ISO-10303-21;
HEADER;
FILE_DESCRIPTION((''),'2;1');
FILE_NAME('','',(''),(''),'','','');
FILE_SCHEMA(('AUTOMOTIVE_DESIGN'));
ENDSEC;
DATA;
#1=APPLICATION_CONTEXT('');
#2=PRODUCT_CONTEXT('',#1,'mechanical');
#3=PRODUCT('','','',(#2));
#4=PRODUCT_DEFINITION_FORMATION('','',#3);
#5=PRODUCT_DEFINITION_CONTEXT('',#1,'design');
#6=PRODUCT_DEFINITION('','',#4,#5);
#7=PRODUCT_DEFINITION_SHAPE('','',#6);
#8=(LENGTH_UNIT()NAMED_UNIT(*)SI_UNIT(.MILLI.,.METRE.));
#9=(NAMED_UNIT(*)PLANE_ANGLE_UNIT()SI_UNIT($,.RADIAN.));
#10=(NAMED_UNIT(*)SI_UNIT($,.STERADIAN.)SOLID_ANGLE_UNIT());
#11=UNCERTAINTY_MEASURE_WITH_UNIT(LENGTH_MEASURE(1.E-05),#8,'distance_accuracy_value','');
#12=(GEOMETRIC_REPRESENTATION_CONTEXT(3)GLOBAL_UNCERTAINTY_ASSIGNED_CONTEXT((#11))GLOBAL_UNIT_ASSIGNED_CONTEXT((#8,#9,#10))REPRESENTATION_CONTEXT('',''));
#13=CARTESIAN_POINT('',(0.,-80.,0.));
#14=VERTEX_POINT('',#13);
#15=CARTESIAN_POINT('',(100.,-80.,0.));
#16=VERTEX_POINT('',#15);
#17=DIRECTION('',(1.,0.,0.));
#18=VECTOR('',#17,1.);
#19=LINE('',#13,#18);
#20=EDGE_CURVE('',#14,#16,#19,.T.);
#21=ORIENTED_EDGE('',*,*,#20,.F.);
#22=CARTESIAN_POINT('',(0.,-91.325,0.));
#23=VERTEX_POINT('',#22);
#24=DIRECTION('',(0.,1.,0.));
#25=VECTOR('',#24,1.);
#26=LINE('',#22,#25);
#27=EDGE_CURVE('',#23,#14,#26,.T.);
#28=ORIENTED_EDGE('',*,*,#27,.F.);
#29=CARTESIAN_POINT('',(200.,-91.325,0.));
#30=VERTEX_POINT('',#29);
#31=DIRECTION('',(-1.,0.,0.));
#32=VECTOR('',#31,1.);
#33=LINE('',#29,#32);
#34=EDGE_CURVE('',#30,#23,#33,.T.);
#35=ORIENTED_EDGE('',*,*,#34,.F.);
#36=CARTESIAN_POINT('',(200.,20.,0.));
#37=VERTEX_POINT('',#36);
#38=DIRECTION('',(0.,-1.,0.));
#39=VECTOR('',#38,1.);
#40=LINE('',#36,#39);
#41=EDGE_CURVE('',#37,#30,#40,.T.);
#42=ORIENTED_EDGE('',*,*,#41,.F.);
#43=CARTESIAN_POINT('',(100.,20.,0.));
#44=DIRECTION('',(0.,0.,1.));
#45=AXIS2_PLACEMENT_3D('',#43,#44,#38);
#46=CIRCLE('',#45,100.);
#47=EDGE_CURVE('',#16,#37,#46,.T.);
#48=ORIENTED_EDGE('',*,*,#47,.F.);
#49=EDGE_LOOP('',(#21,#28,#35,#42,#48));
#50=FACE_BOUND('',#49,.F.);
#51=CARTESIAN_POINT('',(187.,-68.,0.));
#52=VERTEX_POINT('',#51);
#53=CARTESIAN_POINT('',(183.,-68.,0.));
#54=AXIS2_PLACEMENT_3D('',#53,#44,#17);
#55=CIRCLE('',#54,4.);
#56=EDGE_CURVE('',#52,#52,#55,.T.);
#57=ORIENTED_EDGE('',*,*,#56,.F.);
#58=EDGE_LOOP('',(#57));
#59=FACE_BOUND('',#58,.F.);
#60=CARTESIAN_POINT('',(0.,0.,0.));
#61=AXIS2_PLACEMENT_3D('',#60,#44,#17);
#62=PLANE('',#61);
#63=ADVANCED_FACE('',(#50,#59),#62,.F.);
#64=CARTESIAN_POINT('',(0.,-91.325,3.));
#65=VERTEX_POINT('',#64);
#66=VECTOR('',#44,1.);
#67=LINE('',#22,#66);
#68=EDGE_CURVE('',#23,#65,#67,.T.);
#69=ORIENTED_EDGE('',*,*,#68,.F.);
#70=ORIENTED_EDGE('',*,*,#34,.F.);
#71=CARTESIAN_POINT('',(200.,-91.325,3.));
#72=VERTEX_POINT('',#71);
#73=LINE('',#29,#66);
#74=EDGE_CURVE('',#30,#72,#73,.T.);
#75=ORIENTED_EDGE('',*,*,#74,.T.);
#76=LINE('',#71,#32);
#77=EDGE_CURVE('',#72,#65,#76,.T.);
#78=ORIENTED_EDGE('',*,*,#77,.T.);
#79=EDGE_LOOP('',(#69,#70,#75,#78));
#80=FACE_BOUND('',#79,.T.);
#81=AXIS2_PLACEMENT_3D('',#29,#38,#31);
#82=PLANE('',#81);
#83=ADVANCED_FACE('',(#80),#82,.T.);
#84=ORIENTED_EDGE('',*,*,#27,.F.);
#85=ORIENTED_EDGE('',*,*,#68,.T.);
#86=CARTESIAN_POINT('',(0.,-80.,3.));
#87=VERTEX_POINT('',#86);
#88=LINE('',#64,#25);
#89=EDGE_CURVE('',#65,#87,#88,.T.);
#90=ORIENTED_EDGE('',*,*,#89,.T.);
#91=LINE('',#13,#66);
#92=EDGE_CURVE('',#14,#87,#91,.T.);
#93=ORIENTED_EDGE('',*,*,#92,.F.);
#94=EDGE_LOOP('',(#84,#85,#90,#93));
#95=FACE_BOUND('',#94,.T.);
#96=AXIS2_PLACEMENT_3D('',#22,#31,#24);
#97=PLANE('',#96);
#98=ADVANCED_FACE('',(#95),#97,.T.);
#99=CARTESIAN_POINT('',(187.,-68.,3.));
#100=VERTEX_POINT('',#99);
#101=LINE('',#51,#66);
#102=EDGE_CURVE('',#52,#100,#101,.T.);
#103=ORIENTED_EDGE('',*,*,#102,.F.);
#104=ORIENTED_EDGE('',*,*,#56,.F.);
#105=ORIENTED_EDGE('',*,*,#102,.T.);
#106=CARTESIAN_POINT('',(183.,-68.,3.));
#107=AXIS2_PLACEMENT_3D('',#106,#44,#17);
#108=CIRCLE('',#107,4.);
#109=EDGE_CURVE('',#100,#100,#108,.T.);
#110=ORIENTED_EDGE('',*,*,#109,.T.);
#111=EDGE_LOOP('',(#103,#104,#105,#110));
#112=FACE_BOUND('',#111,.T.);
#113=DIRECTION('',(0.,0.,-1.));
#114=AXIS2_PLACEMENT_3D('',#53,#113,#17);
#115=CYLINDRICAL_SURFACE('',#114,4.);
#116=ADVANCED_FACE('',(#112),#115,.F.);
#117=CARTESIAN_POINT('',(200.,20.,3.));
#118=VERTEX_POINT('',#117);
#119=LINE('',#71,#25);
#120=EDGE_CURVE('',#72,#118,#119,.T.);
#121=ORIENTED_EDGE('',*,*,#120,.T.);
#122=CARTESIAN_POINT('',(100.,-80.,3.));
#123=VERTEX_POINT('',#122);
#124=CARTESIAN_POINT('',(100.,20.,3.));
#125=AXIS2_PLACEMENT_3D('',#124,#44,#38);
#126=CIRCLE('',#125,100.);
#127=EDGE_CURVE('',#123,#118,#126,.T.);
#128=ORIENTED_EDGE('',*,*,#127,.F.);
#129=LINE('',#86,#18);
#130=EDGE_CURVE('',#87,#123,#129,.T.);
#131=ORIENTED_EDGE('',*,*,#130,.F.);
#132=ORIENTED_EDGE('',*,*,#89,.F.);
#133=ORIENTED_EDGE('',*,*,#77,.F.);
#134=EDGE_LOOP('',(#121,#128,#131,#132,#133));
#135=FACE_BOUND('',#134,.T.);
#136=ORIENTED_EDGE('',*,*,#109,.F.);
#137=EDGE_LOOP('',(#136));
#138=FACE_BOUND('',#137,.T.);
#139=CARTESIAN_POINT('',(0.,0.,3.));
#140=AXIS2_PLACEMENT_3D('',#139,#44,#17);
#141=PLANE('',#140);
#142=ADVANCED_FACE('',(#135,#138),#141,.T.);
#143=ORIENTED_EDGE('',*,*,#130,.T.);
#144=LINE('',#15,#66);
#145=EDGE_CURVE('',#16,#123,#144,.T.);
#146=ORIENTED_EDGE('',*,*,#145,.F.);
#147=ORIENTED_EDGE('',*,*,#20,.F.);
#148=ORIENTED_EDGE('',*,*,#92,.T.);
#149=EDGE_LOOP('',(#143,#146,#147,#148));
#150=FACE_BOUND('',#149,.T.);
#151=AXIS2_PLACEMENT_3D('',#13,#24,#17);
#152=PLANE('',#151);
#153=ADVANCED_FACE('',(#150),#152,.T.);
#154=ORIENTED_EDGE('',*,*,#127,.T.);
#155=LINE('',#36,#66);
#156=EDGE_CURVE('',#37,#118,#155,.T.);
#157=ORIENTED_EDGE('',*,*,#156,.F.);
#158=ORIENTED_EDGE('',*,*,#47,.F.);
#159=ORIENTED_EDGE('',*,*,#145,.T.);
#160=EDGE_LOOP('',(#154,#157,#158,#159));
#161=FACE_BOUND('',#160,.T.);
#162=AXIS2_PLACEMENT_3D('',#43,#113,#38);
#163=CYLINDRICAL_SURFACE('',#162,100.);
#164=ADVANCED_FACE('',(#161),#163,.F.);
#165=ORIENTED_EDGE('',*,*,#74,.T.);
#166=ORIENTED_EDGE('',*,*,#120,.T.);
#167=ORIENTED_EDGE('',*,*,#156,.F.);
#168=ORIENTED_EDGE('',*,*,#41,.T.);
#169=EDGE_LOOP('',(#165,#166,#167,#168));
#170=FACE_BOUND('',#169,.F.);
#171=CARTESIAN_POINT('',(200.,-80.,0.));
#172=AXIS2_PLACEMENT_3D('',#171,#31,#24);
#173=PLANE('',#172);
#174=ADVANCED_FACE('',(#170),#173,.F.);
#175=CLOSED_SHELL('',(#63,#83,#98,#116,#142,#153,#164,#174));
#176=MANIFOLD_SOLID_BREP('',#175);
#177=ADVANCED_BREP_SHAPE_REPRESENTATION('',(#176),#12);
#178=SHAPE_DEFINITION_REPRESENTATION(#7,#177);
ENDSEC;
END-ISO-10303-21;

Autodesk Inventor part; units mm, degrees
ref_plane "YZ Plane" through (0, 0, 0) normal (1, 0, 0) x (0, 1, 0)
ref_plane "XZ Plane" through (0, 0, 0) normal (0, 1, 0) x (-1, 0, 0)
ref_plane "XY Plane" through (0, 0, 0) normal (0, 0, 1) x (1, 0, 0)
sketch "草圖1" plane through (0, 0, 0) normal (0, 0, 1) x (1, 0, 0)
  line L0 (0, -80) -> (100, -80)
  arc A0 (100, -80) -> (200, 20) centre (100, 20) ccw
  line L1 (200, 20) -> (200, 40)
  line L2 (200, 40) -> (100, 40)
  line L3 (100, 40) -> (100, -80)
  line L4 (100, -80) -> (200, -80)
  line L5 (200, -80) -> (200, 40)
  line L6 (204.3223, -80) -> (200, -80)
  line L7 (200, -80) -> (200, 40)
  circle A1 centre (183, -68) radius 4
  line L8 (0, -80) -> (200, -80)
  line L9 (200, -80) -> (200, -91.325)
  line L10 (200, -91.325) -> (0, -91.325)
  line L11 (0, -91.325) -> (0, -80)
  line L12 (0, -128.8528) -> (0, 68.1421) projected
  point P0 (200, 20)
  point P1 (200, 20)
  dimension "d6" = 8
  dimension "d7" = 17
  dimension "d8" = 12
  dimension "d9" = 11.325
extrude "擠出1" add sketch "草圖1" along normal blind 3 contours L0 L4 L9 L10 L11 | A0 L5 L4
